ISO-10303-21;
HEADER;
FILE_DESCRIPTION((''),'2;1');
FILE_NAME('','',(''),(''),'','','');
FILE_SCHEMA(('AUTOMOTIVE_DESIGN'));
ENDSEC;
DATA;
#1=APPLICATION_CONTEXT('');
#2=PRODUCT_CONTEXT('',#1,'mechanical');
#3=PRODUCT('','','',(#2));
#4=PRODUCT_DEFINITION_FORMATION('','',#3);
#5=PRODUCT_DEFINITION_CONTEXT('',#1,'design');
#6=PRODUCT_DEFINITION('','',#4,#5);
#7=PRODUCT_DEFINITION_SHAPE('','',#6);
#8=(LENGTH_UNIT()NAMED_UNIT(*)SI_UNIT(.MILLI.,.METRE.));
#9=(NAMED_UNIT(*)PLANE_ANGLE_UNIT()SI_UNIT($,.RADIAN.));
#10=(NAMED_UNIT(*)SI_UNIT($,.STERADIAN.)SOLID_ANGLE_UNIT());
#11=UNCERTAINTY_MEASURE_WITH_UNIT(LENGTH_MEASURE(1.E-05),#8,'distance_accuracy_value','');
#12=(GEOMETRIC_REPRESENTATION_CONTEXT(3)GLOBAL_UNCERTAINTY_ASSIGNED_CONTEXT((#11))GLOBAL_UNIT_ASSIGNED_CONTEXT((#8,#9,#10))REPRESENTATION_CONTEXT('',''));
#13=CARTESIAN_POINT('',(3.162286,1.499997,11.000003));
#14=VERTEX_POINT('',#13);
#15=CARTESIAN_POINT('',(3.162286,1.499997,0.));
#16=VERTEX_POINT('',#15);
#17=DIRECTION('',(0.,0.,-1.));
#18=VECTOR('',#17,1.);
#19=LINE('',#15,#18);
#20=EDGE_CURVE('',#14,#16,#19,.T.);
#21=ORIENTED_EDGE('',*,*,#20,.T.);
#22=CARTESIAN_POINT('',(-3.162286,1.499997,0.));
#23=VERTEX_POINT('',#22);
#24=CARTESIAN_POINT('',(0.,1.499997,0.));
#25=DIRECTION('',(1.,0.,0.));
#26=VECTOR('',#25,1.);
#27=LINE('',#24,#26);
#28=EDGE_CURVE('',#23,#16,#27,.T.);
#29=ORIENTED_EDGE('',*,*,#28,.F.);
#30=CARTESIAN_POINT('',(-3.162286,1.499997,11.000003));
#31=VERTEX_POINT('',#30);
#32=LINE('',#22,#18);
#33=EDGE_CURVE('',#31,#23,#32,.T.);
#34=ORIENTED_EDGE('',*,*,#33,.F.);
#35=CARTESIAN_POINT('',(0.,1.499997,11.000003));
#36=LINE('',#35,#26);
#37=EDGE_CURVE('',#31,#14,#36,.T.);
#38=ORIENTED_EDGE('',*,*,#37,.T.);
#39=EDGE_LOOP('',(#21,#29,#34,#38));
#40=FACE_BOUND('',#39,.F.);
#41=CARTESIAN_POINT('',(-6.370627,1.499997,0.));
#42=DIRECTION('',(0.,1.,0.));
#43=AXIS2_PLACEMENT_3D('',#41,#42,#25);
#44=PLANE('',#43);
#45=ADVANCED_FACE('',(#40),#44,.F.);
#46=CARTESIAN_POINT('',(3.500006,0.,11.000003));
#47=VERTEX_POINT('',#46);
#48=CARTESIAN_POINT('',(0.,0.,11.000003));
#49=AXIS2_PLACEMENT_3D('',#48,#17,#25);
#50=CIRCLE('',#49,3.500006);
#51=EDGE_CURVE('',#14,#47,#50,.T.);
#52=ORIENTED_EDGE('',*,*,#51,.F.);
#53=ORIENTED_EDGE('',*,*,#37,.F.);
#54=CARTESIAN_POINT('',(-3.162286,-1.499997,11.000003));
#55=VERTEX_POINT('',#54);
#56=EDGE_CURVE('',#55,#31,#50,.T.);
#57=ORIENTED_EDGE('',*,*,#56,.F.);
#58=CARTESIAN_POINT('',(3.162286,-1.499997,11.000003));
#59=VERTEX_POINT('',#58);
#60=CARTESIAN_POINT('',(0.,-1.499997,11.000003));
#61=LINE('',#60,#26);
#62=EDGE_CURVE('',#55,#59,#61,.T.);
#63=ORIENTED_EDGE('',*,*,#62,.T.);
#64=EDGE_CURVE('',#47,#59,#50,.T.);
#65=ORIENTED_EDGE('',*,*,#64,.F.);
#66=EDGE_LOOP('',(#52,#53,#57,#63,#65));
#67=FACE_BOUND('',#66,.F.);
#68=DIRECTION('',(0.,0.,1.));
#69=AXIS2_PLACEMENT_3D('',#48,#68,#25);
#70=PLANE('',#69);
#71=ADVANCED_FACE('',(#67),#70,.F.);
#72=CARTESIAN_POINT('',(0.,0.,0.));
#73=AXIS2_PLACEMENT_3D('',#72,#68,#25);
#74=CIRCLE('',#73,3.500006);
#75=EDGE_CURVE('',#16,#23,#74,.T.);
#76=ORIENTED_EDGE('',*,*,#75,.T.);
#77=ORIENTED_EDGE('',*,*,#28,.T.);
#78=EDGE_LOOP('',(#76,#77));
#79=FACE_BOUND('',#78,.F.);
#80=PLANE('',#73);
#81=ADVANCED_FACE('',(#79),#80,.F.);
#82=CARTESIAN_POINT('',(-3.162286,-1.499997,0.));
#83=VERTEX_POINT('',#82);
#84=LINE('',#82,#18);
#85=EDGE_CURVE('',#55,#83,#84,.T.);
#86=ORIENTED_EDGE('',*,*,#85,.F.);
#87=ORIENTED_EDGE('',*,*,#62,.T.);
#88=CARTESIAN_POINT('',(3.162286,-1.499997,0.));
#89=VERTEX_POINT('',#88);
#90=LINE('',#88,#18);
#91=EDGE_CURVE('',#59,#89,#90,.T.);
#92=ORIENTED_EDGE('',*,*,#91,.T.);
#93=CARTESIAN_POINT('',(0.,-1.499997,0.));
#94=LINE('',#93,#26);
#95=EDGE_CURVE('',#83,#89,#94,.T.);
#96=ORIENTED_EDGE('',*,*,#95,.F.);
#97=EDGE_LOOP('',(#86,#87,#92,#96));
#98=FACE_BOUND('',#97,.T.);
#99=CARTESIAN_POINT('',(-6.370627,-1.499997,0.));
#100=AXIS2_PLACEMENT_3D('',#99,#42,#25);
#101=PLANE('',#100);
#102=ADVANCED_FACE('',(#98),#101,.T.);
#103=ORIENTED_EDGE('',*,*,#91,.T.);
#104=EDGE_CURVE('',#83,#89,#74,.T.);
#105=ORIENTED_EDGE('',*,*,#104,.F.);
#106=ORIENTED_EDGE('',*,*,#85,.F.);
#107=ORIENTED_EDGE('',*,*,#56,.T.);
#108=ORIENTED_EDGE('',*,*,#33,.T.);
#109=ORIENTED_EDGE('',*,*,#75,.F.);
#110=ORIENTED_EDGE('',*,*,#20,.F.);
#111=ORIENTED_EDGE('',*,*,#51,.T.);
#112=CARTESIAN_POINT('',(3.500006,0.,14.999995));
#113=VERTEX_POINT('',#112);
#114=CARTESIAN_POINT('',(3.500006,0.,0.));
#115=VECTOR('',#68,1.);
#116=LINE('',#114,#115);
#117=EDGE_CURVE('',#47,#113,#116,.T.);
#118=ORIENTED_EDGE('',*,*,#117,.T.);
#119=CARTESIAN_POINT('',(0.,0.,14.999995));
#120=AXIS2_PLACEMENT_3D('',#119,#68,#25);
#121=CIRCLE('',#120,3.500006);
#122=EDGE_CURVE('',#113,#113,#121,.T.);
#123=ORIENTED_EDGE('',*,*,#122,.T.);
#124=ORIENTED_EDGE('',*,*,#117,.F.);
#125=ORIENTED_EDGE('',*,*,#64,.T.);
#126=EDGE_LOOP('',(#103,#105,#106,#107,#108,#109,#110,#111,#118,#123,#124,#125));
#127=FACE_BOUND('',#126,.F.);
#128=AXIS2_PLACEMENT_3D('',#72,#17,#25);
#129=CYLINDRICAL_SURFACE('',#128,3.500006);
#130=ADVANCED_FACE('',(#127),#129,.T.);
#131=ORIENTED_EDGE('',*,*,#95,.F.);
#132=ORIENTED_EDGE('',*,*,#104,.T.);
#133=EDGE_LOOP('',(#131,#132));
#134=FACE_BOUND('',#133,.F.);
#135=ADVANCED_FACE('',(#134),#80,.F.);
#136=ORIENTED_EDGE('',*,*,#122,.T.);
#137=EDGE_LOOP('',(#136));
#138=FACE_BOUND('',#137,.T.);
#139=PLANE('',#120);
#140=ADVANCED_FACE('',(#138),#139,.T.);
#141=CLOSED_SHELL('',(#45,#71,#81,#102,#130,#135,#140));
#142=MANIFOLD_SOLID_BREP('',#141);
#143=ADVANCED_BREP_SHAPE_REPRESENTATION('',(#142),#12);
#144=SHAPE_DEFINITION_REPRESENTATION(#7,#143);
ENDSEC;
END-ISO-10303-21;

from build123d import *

# Parameters (mm, degrees)
F0_R     = 3.500006
F1_DEPTH = 14.999995
F2_W     = 12.741254
F2_H     = 2.999994
F3_DEPTH = 11.000003


with BuildPart() as f1:
    # F0 (on Top) → F1 (new body)
    with BuildSketch(Plane.XY):
        Circle(F0_R)
    extrude(amount=F1_DEPTH)

    # F2 (on Top) → F3 (cut)
    with BuildSketch(Plane.XY):
        Rectangle(F2_W, F2_H)
    extrude(amount=F3_DEPTH, mode=Mode.SUBTRACT)


solid = f1.part
